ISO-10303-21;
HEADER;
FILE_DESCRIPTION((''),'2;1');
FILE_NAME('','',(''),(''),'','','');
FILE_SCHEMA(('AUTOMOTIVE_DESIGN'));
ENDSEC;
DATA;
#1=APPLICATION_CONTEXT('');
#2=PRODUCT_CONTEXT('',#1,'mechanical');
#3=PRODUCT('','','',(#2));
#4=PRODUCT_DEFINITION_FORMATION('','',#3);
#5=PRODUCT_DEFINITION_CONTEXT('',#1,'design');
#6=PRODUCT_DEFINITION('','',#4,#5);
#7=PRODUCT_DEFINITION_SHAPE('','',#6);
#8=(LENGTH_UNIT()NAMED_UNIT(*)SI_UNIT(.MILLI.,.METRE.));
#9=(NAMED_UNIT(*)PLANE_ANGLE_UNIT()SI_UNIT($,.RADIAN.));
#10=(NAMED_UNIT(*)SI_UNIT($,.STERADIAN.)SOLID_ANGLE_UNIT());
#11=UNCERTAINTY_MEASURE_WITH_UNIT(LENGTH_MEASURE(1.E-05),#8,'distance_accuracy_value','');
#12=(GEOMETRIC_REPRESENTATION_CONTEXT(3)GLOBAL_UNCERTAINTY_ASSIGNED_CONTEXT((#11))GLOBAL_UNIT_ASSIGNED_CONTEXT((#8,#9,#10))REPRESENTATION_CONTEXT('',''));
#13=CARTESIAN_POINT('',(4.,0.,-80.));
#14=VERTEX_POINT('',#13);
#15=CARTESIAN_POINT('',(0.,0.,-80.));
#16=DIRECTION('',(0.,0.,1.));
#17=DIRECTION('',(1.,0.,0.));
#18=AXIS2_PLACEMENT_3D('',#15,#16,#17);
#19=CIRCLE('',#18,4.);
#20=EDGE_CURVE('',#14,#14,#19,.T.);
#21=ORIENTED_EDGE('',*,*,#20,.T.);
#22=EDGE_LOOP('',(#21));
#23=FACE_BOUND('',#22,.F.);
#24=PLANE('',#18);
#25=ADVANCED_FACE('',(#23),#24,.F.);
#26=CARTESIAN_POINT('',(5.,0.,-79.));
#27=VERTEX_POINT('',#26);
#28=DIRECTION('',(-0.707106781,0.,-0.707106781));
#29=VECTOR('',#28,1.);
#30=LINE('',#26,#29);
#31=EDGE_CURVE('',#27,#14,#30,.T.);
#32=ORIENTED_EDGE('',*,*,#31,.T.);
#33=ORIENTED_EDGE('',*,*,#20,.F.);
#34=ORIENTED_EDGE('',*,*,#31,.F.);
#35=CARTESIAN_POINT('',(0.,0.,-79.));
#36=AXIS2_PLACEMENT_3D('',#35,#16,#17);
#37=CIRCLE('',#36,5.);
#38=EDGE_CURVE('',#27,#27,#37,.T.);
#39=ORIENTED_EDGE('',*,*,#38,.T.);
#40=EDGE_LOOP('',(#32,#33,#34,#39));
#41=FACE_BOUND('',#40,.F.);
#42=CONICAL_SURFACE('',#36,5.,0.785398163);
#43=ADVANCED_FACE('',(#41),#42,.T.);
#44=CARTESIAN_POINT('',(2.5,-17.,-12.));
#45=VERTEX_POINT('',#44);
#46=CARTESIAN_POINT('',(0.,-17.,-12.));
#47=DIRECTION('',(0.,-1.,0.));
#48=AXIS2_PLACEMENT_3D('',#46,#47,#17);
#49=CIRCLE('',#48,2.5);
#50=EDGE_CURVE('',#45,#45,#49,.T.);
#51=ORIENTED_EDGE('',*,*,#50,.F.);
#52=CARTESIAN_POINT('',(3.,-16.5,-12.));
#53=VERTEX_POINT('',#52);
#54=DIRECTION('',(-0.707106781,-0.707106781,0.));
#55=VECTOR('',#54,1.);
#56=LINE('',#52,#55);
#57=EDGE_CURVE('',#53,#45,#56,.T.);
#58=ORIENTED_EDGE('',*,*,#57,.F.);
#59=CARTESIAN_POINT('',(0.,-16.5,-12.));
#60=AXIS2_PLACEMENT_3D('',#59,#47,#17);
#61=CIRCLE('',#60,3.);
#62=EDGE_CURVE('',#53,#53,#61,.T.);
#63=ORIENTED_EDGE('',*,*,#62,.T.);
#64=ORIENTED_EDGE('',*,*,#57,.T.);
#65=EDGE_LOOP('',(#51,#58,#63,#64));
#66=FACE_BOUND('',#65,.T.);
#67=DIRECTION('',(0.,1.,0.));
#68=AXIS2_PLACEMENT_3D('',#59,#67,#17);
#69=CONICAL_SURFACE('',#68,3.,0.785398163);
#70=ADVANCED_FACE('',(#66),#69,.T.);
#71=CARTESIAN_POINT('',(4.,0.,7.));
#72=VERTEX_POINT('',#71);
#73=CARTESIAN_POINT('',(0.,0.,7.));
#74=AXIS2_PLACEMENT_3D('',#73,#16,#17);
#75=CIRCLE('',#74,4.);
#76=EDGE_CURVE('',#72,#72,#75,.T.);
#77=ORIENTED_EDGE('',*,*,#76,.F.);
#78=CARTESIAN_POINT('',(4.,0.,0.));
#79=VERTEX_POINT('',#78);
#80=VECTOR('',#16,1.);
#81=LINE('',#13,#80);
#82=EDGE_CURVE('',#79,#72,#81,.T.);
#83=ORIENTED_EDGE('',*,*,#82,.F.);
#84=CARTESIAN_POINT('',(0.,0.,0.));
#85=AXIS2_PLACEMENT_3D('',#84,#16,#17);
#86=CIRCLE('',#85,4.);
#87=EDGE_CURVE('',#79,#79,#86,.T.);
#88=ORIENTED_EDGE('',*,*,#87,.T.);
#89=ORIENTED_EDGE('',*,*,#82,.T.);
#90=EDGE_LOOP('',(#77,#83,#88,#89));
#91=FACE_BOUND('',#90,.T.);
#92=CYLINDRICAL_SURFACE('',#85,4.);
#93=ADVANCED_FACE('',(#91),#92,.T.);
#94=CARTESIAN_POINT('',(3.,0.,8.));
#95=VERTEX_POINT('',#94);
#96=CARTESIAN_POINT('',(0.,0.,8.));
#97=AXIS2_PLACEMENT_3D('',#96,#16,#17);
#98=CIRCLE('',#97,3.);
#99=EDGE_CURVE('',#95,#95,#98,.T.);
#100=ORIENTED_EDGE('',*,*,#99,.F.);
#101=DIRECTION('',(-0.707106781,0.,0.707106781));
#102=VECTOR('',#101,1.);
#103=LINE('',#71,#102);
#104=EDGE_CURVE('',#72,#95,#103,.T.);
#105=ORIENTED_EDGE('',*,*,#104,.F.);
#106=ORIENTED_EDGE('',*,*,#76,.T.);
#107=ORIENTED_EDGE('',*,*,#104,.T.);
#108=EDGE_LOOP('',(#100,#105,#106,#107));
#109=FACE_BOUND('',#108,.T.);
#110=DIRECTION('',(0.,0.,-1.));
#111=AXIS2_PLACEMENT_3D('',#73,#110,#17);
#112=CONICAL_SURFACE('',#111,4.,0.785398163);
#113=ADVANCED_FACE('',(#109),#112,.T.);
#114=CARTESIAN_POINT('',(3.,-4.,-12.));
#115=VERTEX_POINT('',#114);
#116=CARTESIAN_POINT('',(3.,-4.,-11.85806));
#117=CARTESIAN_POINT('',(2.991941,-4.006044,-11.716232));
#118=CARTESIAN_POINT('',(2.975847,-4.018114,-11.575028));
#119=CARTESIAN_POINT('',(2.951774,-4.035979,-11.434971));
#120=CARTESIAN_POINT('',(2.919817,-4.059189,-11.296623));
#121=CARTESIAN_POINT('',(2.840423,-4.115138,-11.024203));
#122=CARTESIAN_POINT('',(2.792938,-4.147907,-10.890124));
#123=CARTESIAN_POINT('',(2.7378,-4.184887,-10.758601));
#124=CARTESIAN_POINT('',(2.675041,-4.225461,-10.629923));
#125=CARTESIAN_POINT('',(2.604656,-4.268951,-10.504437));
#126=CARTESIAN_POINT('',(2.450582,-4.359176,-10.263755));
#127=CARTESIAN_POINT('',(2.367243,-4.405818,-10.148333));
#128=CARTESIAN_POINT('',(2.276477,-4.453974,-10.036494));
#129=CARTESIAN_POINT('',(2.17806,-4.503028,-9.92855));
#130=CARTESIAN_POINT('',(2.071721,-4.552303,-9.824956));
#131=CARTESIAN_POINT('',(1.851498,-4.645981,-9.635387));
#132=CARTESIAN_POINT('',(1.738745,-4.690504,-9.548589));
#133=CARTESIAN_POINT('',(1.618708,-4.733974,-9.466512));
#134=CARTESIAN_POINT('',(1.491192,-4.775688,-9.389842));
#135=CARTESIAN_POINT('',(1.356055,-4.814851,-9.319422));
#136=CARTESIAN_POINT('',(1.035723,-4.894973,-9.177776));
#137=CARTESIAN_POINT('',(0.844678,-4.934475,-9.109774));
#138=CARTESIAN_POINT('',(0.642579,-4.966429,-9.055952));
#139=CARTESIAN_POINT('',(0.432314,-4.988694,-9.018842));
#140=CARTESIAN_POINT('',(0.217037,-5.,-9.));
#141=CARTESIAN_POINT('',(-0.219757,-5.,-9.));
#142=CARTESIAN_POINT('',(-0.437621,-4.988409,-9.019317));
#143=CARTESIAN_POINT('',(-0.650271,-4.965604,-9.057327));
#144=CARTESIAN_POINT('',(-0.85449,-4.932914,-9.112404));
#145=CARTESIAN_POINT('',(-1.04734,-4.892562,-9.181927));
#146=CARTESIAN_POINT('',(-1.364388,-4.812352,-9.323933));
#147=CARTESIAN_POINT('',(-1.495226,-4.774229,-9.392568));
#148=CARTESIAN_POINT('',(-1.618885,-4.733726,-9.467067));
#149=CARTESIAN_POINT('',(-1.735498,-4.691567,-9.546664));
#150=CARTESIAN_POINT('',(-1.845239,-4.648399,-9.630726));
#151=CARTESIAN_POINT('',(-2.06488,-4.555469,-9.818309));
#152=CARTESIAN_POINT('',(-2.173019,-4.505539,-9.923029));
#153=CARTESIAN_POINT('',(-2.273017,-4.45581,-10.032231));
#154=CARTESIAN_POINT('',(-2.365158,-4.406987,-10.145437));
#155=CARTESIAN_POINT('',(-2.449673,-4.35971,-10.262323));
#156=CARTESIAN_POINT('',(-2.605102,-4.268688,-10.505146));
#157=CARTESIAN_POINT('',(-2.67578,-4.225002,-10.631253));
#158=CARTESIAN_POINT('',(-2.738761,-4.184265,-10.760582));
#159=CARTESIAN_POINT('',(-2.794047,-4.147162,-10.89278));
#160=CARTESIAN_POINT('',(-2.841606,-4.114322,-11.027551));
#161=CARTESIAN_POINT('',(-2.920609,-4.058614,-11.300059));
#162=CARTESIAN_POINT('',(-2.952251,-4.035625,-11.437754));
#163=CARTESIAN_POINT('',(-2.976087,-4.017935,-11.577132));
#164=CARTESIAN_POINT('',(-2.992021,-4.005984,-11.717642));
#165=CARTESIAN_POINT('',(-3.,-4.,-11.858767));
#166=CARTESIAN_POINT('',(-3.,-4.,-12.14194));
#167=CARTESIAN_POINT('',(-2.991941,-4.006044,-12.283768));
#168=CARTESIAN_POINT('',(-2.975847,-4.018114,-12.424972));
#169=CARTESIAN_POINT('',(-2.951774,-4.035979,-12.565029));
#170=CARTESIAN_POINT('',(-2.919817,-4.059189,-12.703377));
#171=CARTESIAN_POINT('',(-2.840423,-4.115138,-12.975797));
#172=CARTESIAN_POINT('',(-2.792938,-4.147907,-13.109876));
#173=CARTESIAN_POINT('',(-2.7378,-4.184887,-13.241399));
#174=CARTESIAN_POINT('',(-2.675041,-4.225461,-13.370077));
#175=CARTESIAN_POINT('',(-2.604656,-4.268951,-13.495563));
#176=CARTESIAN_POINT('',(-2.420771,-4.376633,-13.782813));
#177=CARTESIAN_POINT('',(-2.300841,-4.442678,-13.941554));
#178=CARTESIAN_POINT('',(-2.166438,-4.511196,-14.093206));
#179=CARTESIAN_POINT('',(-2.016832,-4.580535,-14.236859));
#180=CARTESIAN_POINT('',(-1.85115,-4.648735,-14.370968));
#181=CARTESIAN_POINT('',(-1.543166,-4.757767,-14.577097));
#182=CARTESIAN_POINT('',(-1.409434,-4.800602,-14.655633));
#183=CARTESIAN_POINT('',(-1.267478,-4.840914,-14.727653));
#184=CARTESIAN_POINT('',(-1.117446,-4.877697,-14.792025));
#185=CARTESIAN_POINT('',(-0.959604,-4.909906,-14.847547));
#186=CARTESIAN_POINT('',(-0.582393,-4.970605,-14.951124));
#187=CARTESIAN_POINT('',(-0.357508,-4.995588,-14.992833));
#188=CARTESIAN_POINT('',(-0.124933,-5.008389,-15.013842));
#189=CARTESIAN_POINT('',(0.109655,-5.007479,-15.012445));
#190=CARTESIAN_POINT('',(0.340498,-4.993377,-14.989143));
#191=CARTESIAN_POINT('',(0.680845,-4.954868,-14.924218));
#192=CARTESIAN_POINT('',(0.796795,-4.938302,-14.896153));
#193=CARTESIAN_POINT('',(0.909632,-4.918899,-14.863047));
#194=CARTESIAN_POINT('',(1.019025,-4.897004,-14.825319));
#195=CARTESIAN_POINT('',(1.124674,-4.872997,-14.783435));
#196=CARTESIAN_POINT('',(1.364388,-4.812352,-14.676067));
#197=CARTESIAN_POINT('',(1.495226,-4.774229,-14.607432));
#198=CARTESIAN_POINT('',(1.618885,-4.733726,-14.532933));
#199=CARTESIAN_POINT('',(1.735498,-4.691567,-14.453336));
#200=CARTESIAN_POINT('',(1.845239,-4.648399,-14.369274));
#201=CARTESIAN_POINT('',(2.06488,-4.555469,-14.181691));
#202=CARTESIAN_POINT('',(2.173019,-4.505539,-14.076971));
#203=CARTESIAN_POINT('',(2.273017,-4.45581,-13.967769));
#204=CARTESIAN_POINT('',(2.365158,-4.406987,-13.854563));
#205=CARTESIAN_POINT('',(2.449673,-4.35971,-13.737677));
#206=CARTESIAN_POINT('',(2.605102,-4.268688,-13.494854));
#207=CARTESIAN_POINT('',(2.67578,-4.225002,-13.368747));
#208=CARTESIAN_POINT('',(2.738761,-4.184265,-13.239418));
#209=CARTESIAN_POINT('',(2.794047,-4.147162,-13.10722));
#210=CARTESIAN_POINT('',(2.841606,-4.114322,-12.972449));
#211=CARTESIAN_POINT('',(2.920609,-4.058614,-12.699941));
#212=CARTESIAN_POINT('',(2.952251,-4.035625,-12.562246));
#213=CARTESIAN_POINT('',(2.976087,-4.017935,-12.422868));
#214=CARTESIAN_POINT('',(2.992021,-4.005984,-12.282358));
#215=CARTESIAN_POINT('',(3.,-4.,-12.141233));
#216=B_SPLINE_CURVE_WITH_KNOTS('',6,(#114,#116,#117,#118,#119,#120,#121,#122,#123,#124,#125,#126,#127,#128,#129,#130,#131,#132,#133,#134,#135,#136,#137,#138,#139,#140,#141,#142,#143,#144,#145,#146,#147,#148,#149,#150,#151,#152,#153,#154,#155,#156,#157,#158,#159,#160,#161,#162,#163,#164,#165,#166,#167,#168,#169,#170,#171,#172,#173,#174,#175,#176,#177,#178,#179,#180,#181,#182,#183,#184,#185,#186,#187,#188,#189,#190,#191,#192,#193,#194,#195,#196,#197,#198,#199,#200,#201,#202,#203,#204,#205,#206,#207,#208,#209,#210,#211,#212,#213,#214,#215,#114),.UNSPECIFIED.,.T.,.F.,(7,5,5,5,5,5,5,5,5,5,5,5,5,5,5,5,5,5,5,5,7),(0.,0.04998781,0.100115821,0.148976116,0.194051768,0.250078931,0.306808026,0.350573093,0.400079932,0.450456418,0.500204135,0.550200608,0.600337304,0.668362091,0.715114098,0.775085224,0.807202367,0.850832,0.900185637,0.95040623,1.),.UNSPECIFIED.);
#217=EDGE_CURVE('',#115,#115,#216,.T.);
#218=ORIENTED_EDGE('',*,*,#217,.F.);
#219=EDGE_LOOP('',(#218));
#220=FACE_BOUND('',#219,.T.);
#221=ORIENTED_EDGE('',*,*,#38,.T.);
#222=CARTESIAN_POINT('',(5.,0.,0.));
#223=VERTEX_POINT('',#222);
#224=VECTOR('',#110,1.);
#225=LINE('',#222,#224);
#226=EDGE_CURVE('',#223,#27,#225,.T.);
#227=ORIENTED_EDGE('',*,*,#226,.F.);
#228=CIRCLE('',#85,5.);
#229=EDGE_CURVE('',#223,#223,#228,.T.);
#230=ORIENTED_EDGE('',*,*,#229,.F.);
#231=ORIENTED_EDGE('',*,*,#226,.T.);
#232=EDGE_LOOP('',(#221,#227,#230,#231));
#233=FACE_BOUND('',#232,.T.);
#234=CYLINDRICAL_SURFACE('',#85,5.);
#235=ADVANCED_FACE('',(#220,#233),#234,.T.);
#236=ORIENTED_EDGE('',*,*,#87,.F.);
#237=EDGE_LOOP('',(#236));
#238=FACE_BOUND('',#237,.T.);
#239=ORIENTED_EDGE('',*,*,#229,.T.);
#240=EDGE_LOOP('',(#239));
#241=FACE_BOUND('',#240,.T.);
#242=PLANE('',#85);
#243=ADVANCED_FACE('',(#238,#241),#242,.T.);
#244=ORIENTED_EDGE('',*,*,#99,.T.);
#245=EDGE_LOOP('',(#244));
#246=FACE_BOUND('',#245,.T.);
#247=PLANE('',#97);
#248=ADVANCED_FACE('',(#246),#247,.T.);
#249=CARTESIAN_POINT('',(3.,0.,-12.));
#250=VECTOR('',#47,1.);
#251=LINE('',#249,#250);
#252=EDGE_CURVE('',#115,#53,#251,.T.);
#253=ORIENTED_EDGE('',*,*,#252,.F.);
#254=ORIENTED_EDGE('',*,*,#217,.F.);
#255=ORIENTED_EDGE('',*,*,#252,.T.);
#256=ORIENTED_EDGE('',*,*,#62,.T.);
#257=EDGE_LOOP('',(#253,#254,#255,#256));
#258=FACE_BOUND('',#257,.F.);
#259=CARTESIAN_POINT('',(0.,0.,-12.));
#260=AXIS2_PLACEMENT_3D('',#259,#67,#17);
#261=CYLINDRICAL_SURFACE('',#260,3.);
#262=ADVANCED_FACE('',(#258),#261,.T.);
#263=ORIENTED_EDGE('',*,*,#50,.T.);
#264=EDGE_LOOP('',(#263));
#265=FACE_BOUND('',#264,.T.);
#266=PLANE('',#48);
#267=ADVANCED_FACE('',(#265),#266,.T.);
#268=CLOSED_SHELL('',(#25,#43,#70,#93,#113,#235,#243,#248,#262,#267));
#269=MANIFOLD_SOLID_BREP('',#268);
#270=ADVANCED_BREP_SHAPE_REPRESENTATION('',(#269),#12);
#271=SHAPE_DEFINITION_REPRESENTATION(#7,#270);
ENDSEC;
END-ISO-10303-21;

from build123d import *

# Parameters (mm, degrees)
F0_R          = 4
F1_DEPTH      = 8
F1_DEPTH_BACK = 80
F0_R_2        = 5
F2_DEPTH      = 80
F3_R          = 3
F4_DEPTH      = 17
F5_SIZE       = 1
F6_SIZE       = 0.5


with BuildPart() as f1:
    # F0 (on Top) → F1 (new body, two sides)
    with BuildSketch(Plane.XY) as f1_sk:
        Circle(F0_R)
    extrude(amount=F1_DEPTH)
    extrude(f1_sk.sketch, amount=-F1_DEPTH_BACK)



with BuildPart() as f2:
    # F0 (on Top) → F2 (new body)
    with BuildSketch(Plane.XY):
        Circle(F0_R_2)
        Circle(F0_R, mode=Mode.SUBTRACT)
    extrude(amount=-F2_DEPTH)


with BuildPart() as f1_1:
    add(f1.part)

    add(f2.part)  # F4 merges F2
    # F3 (on Front) → F4 (join)
    with BuildSketch(Plane.XZ):
        with Locations((0, -12)):
            Circle(F3_R)
    extrude(amount=F4_DEPTH)

    # F5
    f5_edges = [f1_1.edges().sort_by_distance(p)[0] for p in [
        (-5, 0, -80),
        (-4, 0, 8),
    ]]
    chamfer(f5_edges, length=F5_SIZE)

    # F6
    f6_edges = [f1_1.edges().sort_by_distance(p)[0] for p in [
        (-3, -17, -12),
    ]]
    chamfer(f6_edges, length=F6_SIZE)


solid = f1_1.part
